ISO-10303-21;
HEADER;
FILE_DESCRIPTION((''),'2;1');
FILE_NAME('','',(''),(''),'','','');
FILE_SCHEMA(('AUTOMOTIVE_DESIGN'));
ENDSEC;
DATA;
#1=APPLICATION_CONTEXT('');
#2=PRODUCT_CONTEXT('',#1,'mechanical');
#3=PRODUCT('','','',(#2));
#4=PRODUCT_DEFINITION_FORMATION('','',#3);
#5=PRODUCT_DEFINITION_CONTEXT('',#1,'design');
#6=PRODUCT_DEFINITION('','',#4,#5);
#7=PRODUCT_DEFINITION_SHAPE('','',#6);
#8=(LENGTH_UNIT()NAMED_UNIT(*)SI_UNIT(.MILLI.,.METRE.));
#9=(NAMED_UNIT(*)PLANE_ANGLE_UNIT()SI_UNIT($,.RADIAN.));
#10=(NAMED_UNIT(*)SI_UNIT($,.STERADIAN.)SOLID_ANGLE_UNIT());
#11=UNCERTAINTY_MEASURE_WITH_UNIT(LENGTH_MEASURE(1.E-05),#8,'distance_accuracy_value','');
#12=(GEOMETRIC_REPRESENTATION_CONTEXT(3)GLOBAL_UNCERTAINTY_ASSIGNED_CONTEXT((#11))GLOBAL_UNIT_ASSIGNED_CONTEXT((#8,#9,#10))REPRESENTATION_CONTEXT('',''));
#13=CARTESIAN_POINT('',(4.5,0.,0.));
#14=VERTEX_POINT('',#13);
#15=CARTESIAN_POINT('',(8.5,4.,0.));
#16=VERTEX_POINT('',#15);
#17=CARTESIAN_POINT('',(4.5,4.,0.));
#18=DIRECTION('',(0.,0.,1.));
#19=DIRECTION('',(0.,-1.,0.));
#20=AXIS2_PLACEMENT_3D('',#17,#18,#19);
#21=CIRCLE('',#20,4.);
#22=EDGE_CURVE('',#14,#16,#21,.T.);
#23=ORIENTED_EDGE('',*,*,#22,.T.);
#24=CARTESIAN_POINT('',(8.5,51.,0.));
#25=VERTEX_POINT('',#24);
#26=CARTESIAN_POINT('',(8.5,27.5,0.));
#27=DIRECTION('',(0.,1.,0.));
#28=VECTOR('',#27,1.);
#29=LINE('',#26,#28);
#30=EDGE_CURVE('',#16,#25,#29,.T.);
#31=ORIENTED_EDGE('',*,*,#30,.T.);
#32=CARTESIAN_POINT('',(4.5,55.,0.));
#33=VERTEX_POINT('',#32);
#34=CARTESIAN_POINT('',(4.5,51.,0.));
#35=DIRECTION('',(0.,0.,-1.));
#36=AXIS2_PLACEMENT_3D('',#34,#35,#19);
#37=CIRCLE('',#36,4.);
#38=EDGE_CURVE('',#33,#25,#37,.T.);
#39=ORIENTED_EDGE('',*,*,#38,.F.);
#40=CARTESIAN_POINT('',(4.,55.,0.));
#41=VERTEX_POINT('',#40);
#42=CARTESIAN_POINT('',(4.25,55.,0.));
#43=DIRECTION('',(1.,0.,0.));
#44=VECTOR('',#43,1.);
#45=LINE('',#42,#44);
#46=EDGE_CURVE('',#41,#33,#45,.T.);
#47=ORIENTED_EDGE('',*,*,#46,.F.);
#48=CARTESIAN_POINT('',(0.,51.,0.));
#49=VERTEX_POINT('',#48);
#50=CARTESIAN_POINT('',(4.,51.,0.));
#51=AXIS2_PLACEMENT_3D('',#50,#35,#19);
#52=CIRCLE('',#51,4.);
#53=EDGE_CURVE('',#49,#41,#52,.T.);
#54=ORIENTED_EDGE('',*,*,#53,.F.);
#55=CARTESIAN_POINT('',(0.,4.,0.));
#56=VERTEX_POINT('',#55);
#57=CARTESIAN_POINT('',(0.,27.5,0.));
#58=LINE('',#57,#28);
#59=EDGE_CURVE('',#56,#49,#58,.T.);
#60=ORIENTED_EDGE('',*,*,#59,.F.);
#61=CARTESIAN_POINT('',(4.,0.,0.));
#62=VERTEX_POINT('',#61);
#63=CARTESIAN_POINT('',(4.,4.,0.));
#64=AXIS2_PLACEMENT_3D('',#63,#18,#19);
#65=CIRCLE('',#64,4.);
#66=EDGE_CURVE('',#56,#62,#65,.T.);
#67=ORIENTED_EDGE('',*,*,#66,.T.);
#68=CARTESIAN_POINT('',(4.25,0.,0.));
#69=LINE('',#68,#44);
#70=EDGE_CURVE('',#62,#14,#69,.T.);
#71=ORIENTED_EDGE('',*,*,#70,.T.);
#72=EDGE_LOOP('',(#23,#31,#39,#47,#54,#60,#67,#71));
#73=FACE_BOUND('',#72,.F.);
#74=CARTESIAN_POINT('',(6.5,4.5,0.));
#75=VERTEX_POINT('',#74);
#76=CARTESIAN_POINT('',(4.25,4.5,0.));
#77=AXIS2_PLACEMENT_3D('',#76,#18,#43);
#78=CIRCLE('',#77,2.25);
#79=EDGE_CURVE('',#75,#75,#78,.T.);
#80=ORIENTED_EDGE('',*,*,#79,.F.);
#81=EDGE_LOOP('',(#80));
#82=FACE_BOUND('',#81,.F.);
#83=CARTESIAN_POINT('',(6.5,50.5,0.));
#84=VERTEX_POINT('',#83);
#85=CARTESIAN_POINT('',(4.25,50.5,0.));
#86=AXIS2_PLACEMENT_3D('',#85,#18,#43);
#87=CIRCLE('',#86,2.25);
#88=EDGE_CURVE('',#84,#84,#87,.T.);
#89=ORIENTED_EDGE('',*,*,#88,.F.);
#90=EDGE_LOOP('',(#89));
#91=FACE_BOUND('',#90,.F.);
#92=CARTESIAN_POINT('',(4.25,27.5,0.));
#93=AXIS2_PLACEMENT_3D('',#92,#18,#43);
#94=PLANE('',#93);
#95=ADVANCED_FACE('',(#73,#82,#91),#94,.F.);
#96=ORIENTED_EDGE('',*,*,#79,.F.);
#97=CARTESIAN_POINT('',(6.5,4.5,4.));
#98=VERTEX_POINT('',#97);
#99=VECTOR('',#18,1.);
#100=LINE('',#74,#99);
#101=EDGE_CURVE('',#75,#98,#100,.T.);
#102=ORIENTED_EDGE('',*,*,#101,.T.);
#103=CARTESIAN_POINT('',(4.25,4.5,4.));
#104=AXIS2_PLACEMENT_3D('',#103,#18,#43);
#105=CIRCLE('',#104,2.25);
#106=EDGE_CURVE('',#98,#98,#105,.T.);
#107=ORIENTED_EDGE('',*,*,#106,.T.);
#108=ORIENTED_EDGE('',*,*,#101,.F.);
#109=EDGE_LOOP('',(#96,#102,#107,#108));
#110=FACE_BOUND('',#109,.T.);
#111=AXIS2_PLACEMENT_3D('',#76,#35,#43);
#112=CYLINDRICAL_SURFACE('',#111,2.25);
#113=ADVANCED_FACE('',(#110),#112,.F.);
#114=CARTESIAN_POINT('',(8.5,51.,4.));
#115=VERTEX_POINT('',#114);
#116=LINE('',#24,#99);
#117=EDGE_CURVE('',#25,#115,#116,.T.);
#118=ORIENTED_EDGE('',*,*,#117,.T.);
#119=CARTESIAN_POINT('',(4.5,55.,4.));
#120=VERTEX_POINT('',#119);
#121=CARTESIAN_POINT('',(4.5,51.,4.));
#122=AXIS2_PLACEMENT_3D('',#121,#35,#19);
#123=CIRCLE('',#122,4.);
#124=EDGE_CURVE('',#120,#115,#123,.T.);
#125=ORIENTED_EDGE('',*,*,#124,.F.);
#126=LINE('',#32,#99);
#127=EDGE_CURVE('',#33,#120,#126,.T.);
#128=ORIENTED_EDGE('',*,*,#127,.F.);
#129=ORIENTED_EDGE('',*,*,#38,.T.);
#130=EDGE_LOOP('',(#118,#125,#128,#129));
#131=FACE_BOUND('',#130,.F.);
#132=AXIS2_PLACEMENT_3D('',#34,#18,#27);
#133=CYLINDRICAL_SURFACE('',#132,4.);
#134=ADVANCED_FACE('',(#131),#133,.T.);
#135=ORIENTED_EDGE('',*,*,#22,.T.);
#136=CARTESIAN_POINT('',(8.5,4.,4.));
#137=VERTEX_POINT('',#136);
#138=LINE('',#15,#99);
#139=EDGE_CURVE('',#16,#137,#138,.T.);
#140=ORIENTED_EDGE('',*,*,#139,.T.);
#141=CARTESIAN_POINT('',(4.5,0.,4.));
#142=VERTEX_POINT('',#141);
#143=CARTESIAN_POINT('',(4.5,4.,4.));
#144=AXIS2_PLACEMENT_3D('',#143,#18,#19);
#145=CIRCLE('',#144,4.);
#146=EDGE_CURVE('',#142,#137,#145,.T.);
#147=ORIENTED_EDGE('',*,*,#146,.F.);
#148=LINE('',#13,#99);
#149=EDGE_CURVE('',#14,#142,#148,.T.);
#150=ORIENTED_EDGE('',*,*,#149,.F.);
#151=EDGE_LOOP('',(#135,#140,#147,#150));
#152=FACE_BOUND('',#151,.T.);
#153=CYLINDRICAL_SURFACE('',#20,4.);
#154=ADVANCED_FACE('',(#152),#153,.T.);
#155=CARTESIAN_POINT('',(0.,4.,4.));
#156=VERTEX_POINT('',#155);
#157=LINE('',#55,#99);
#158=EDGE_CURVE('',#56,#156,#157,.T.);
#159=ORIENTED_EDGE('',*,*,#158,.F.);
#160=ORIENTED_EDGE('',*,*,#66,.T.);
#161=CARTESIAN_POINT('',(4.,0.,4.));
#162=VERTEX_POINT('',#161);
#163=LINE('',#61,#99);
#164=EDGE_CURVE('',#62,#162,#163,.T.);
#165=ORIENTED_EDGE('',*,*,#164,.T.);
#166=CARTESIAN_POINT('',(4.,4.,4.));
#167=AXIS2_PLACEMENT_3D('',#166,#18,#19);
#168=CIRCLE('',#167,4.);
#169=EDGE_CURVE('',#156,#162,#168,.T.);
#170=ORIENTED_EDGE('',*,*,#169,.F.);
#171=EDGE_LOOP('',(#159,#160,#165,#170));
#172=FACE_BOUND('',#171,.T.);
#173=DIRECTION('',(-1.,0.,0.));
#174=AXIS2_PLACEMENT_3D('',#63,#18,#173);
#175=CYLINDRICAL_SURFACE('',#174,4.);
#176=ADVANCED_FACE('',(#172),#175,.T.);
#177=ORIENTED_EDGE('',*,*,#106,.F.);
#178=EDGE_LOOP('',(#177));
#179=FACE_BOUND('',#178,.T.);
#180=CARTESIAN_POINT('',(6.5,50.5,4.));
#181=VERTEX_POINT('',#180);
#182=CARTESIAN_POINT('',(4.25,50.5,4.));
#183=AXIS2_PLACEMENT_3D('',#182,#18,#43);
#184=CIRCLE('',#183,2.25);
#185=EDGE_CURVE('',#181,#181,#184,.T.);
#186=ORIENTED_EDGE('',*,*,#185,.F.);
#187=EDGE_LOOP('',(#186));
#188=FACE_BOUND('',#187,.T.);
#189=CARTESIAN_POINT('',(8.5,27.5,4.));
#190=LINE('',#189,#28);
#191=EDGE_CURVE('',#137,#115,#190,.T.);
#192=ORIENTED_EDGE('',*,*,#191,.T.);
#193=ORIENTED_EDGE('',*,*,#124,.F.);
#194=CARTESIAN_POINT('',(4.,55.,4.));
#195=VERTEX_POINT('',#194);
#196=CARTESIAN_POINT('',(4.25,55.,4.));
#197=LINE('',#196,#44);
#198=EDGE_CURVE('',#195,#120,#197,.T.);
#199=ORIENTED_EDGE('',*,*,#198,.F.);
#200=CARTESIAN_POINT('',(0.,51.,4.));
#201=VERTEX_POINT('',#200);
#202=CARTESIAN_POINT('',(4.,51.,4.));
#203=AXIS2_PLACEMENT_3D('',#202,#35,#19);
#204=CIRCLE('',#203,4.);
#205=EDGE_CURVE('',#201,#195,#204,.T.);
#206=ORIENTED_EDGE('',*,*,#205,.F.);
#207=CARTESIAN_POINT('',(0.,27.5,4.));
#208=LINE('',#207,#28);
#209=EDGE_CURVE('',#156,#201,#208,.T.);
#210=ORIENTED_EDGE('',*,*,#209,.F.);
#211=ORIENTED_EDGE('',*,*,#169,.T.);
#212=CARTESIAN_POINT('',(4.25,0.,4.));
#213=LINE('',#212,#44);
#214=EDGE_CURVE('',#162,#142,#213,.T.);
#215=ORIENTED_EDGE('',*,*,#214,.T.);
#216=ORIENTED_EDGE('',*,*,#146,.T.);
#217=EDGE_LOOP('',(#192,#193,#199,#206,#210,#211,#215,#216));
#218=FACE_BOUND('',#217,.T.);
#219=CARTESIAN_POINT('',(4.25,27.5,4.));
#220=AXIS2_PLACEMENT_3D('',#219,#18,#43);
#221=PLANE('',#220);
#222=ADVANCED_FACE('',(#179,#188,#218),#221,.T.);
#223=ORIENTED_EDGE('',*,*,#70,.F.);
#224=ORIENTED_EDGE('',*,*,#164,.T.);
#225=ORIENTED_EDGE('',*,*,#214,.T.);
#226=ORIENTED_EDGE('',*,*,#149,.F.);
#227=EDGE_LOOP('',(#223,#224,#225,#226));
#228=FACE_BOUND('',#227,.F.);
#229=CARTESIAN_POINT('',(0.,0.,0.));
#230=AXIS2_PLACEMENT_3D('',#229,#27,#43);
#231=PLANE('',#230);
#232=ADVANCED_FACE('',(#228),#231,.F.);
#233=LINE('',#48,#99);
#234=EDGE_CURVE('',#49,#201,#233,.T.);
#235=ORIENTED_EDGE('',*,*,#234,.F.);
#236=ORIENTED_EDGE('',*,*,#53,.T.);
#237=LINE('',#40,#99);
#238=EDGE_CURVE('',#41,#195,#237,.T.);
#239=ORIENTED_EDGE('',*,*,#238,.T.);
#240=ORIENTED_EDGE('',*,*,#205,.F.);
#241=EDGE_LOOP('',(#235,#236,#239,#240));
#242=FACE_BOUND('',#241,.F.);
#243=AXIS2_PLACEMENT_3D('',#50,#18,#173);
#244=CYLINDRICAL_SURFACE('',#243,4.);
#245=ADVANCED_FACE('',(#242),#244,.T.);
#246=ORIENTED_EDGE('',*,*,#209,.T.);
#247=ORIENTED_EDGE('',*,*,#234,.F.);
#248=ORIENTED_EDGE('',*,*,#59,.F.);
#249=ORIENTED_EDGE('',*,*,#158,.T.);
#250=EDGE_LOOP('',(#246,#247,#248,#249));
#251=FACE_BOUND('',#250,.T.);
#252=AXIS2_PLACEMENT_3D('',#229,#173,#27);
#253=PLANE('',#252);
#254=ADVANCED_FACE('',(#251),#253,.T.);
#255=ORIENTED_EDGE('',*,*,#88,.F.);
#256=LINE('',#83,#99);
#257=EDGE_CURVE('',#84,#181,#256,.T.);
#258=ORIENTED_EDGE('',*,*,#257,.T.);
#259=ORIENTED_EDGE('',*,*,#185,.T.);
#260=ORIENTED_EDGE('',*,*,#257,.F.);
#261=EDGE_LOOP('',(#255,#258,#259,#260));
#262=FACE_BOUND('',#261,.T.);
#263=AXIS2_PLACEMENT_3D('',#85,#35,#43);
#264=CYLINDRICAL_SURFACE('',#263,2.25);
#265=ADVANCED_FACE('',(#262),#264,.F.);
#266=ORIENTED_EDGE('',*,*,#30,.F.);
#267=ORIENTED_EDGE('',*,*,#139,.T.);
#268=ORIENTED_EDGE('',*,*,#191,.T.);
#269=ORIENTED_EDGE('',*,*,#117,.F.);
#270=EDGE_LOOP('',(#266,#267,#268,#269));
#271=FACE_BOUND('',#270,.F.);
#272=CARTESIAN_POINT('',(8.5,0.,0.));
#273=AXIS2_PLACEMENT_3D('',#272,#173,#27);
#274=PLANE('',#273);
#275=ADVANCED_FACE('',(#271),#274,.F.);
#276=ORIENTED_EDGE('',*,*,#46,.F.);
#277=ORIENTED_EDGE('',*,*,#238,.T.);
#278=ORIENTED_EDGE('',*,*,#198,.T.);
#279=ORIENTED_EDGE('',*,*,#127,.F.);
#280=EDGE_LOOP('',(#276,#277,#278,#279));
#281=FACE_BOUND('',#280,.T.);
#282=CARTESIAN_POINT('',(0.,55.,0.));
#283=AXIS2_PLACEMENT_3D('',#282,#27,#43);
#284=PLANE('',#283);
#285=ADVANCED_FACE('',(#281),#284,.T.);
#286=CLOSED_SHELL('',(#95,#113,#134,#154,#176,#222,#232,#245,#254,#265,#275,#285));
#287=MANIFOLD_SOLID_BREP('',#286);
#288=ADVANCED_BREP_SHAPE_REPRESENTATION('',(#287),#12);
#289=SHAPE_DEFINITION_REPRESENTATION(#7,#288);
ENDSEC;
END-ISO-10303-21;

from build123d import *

# Parameters (mm, degrees)
SKETCH_W  = 8.5
SKETCH_H  = 55
SKETCH_R  = 2.25
PAD_DEPTH = 4
FILLET_R  = 4


with BuildPart() as part:
    # Sketch → Pad (new body)
    with BuildSketch(Plane.XY):
        with Locations((4.25, 27.5)):
            Rectangle(SKETCH_W, SKETCH_H)
        with Locations((4.25, 4.5)):
            Circle(SKETCH_R, mode=Mode.SUBTRACT)
        with Locations((4.25, 50.5)):
            Circle(SKETCH_R, mode=Mode.SUBTRACT)
    extrude(amount=PAD_DEPTH)

    # Fillet
    fillet_edges = [part.edges().sort_by_distance(p)[0] for p in [
        (0, 55, 2),
        (8.5, 55, 2),
        (0, 0, 2),
        (8.5, 0, 2),
    ]]
    fillet(fillet_edges, radius=FILLET_R)


solid = part.part
